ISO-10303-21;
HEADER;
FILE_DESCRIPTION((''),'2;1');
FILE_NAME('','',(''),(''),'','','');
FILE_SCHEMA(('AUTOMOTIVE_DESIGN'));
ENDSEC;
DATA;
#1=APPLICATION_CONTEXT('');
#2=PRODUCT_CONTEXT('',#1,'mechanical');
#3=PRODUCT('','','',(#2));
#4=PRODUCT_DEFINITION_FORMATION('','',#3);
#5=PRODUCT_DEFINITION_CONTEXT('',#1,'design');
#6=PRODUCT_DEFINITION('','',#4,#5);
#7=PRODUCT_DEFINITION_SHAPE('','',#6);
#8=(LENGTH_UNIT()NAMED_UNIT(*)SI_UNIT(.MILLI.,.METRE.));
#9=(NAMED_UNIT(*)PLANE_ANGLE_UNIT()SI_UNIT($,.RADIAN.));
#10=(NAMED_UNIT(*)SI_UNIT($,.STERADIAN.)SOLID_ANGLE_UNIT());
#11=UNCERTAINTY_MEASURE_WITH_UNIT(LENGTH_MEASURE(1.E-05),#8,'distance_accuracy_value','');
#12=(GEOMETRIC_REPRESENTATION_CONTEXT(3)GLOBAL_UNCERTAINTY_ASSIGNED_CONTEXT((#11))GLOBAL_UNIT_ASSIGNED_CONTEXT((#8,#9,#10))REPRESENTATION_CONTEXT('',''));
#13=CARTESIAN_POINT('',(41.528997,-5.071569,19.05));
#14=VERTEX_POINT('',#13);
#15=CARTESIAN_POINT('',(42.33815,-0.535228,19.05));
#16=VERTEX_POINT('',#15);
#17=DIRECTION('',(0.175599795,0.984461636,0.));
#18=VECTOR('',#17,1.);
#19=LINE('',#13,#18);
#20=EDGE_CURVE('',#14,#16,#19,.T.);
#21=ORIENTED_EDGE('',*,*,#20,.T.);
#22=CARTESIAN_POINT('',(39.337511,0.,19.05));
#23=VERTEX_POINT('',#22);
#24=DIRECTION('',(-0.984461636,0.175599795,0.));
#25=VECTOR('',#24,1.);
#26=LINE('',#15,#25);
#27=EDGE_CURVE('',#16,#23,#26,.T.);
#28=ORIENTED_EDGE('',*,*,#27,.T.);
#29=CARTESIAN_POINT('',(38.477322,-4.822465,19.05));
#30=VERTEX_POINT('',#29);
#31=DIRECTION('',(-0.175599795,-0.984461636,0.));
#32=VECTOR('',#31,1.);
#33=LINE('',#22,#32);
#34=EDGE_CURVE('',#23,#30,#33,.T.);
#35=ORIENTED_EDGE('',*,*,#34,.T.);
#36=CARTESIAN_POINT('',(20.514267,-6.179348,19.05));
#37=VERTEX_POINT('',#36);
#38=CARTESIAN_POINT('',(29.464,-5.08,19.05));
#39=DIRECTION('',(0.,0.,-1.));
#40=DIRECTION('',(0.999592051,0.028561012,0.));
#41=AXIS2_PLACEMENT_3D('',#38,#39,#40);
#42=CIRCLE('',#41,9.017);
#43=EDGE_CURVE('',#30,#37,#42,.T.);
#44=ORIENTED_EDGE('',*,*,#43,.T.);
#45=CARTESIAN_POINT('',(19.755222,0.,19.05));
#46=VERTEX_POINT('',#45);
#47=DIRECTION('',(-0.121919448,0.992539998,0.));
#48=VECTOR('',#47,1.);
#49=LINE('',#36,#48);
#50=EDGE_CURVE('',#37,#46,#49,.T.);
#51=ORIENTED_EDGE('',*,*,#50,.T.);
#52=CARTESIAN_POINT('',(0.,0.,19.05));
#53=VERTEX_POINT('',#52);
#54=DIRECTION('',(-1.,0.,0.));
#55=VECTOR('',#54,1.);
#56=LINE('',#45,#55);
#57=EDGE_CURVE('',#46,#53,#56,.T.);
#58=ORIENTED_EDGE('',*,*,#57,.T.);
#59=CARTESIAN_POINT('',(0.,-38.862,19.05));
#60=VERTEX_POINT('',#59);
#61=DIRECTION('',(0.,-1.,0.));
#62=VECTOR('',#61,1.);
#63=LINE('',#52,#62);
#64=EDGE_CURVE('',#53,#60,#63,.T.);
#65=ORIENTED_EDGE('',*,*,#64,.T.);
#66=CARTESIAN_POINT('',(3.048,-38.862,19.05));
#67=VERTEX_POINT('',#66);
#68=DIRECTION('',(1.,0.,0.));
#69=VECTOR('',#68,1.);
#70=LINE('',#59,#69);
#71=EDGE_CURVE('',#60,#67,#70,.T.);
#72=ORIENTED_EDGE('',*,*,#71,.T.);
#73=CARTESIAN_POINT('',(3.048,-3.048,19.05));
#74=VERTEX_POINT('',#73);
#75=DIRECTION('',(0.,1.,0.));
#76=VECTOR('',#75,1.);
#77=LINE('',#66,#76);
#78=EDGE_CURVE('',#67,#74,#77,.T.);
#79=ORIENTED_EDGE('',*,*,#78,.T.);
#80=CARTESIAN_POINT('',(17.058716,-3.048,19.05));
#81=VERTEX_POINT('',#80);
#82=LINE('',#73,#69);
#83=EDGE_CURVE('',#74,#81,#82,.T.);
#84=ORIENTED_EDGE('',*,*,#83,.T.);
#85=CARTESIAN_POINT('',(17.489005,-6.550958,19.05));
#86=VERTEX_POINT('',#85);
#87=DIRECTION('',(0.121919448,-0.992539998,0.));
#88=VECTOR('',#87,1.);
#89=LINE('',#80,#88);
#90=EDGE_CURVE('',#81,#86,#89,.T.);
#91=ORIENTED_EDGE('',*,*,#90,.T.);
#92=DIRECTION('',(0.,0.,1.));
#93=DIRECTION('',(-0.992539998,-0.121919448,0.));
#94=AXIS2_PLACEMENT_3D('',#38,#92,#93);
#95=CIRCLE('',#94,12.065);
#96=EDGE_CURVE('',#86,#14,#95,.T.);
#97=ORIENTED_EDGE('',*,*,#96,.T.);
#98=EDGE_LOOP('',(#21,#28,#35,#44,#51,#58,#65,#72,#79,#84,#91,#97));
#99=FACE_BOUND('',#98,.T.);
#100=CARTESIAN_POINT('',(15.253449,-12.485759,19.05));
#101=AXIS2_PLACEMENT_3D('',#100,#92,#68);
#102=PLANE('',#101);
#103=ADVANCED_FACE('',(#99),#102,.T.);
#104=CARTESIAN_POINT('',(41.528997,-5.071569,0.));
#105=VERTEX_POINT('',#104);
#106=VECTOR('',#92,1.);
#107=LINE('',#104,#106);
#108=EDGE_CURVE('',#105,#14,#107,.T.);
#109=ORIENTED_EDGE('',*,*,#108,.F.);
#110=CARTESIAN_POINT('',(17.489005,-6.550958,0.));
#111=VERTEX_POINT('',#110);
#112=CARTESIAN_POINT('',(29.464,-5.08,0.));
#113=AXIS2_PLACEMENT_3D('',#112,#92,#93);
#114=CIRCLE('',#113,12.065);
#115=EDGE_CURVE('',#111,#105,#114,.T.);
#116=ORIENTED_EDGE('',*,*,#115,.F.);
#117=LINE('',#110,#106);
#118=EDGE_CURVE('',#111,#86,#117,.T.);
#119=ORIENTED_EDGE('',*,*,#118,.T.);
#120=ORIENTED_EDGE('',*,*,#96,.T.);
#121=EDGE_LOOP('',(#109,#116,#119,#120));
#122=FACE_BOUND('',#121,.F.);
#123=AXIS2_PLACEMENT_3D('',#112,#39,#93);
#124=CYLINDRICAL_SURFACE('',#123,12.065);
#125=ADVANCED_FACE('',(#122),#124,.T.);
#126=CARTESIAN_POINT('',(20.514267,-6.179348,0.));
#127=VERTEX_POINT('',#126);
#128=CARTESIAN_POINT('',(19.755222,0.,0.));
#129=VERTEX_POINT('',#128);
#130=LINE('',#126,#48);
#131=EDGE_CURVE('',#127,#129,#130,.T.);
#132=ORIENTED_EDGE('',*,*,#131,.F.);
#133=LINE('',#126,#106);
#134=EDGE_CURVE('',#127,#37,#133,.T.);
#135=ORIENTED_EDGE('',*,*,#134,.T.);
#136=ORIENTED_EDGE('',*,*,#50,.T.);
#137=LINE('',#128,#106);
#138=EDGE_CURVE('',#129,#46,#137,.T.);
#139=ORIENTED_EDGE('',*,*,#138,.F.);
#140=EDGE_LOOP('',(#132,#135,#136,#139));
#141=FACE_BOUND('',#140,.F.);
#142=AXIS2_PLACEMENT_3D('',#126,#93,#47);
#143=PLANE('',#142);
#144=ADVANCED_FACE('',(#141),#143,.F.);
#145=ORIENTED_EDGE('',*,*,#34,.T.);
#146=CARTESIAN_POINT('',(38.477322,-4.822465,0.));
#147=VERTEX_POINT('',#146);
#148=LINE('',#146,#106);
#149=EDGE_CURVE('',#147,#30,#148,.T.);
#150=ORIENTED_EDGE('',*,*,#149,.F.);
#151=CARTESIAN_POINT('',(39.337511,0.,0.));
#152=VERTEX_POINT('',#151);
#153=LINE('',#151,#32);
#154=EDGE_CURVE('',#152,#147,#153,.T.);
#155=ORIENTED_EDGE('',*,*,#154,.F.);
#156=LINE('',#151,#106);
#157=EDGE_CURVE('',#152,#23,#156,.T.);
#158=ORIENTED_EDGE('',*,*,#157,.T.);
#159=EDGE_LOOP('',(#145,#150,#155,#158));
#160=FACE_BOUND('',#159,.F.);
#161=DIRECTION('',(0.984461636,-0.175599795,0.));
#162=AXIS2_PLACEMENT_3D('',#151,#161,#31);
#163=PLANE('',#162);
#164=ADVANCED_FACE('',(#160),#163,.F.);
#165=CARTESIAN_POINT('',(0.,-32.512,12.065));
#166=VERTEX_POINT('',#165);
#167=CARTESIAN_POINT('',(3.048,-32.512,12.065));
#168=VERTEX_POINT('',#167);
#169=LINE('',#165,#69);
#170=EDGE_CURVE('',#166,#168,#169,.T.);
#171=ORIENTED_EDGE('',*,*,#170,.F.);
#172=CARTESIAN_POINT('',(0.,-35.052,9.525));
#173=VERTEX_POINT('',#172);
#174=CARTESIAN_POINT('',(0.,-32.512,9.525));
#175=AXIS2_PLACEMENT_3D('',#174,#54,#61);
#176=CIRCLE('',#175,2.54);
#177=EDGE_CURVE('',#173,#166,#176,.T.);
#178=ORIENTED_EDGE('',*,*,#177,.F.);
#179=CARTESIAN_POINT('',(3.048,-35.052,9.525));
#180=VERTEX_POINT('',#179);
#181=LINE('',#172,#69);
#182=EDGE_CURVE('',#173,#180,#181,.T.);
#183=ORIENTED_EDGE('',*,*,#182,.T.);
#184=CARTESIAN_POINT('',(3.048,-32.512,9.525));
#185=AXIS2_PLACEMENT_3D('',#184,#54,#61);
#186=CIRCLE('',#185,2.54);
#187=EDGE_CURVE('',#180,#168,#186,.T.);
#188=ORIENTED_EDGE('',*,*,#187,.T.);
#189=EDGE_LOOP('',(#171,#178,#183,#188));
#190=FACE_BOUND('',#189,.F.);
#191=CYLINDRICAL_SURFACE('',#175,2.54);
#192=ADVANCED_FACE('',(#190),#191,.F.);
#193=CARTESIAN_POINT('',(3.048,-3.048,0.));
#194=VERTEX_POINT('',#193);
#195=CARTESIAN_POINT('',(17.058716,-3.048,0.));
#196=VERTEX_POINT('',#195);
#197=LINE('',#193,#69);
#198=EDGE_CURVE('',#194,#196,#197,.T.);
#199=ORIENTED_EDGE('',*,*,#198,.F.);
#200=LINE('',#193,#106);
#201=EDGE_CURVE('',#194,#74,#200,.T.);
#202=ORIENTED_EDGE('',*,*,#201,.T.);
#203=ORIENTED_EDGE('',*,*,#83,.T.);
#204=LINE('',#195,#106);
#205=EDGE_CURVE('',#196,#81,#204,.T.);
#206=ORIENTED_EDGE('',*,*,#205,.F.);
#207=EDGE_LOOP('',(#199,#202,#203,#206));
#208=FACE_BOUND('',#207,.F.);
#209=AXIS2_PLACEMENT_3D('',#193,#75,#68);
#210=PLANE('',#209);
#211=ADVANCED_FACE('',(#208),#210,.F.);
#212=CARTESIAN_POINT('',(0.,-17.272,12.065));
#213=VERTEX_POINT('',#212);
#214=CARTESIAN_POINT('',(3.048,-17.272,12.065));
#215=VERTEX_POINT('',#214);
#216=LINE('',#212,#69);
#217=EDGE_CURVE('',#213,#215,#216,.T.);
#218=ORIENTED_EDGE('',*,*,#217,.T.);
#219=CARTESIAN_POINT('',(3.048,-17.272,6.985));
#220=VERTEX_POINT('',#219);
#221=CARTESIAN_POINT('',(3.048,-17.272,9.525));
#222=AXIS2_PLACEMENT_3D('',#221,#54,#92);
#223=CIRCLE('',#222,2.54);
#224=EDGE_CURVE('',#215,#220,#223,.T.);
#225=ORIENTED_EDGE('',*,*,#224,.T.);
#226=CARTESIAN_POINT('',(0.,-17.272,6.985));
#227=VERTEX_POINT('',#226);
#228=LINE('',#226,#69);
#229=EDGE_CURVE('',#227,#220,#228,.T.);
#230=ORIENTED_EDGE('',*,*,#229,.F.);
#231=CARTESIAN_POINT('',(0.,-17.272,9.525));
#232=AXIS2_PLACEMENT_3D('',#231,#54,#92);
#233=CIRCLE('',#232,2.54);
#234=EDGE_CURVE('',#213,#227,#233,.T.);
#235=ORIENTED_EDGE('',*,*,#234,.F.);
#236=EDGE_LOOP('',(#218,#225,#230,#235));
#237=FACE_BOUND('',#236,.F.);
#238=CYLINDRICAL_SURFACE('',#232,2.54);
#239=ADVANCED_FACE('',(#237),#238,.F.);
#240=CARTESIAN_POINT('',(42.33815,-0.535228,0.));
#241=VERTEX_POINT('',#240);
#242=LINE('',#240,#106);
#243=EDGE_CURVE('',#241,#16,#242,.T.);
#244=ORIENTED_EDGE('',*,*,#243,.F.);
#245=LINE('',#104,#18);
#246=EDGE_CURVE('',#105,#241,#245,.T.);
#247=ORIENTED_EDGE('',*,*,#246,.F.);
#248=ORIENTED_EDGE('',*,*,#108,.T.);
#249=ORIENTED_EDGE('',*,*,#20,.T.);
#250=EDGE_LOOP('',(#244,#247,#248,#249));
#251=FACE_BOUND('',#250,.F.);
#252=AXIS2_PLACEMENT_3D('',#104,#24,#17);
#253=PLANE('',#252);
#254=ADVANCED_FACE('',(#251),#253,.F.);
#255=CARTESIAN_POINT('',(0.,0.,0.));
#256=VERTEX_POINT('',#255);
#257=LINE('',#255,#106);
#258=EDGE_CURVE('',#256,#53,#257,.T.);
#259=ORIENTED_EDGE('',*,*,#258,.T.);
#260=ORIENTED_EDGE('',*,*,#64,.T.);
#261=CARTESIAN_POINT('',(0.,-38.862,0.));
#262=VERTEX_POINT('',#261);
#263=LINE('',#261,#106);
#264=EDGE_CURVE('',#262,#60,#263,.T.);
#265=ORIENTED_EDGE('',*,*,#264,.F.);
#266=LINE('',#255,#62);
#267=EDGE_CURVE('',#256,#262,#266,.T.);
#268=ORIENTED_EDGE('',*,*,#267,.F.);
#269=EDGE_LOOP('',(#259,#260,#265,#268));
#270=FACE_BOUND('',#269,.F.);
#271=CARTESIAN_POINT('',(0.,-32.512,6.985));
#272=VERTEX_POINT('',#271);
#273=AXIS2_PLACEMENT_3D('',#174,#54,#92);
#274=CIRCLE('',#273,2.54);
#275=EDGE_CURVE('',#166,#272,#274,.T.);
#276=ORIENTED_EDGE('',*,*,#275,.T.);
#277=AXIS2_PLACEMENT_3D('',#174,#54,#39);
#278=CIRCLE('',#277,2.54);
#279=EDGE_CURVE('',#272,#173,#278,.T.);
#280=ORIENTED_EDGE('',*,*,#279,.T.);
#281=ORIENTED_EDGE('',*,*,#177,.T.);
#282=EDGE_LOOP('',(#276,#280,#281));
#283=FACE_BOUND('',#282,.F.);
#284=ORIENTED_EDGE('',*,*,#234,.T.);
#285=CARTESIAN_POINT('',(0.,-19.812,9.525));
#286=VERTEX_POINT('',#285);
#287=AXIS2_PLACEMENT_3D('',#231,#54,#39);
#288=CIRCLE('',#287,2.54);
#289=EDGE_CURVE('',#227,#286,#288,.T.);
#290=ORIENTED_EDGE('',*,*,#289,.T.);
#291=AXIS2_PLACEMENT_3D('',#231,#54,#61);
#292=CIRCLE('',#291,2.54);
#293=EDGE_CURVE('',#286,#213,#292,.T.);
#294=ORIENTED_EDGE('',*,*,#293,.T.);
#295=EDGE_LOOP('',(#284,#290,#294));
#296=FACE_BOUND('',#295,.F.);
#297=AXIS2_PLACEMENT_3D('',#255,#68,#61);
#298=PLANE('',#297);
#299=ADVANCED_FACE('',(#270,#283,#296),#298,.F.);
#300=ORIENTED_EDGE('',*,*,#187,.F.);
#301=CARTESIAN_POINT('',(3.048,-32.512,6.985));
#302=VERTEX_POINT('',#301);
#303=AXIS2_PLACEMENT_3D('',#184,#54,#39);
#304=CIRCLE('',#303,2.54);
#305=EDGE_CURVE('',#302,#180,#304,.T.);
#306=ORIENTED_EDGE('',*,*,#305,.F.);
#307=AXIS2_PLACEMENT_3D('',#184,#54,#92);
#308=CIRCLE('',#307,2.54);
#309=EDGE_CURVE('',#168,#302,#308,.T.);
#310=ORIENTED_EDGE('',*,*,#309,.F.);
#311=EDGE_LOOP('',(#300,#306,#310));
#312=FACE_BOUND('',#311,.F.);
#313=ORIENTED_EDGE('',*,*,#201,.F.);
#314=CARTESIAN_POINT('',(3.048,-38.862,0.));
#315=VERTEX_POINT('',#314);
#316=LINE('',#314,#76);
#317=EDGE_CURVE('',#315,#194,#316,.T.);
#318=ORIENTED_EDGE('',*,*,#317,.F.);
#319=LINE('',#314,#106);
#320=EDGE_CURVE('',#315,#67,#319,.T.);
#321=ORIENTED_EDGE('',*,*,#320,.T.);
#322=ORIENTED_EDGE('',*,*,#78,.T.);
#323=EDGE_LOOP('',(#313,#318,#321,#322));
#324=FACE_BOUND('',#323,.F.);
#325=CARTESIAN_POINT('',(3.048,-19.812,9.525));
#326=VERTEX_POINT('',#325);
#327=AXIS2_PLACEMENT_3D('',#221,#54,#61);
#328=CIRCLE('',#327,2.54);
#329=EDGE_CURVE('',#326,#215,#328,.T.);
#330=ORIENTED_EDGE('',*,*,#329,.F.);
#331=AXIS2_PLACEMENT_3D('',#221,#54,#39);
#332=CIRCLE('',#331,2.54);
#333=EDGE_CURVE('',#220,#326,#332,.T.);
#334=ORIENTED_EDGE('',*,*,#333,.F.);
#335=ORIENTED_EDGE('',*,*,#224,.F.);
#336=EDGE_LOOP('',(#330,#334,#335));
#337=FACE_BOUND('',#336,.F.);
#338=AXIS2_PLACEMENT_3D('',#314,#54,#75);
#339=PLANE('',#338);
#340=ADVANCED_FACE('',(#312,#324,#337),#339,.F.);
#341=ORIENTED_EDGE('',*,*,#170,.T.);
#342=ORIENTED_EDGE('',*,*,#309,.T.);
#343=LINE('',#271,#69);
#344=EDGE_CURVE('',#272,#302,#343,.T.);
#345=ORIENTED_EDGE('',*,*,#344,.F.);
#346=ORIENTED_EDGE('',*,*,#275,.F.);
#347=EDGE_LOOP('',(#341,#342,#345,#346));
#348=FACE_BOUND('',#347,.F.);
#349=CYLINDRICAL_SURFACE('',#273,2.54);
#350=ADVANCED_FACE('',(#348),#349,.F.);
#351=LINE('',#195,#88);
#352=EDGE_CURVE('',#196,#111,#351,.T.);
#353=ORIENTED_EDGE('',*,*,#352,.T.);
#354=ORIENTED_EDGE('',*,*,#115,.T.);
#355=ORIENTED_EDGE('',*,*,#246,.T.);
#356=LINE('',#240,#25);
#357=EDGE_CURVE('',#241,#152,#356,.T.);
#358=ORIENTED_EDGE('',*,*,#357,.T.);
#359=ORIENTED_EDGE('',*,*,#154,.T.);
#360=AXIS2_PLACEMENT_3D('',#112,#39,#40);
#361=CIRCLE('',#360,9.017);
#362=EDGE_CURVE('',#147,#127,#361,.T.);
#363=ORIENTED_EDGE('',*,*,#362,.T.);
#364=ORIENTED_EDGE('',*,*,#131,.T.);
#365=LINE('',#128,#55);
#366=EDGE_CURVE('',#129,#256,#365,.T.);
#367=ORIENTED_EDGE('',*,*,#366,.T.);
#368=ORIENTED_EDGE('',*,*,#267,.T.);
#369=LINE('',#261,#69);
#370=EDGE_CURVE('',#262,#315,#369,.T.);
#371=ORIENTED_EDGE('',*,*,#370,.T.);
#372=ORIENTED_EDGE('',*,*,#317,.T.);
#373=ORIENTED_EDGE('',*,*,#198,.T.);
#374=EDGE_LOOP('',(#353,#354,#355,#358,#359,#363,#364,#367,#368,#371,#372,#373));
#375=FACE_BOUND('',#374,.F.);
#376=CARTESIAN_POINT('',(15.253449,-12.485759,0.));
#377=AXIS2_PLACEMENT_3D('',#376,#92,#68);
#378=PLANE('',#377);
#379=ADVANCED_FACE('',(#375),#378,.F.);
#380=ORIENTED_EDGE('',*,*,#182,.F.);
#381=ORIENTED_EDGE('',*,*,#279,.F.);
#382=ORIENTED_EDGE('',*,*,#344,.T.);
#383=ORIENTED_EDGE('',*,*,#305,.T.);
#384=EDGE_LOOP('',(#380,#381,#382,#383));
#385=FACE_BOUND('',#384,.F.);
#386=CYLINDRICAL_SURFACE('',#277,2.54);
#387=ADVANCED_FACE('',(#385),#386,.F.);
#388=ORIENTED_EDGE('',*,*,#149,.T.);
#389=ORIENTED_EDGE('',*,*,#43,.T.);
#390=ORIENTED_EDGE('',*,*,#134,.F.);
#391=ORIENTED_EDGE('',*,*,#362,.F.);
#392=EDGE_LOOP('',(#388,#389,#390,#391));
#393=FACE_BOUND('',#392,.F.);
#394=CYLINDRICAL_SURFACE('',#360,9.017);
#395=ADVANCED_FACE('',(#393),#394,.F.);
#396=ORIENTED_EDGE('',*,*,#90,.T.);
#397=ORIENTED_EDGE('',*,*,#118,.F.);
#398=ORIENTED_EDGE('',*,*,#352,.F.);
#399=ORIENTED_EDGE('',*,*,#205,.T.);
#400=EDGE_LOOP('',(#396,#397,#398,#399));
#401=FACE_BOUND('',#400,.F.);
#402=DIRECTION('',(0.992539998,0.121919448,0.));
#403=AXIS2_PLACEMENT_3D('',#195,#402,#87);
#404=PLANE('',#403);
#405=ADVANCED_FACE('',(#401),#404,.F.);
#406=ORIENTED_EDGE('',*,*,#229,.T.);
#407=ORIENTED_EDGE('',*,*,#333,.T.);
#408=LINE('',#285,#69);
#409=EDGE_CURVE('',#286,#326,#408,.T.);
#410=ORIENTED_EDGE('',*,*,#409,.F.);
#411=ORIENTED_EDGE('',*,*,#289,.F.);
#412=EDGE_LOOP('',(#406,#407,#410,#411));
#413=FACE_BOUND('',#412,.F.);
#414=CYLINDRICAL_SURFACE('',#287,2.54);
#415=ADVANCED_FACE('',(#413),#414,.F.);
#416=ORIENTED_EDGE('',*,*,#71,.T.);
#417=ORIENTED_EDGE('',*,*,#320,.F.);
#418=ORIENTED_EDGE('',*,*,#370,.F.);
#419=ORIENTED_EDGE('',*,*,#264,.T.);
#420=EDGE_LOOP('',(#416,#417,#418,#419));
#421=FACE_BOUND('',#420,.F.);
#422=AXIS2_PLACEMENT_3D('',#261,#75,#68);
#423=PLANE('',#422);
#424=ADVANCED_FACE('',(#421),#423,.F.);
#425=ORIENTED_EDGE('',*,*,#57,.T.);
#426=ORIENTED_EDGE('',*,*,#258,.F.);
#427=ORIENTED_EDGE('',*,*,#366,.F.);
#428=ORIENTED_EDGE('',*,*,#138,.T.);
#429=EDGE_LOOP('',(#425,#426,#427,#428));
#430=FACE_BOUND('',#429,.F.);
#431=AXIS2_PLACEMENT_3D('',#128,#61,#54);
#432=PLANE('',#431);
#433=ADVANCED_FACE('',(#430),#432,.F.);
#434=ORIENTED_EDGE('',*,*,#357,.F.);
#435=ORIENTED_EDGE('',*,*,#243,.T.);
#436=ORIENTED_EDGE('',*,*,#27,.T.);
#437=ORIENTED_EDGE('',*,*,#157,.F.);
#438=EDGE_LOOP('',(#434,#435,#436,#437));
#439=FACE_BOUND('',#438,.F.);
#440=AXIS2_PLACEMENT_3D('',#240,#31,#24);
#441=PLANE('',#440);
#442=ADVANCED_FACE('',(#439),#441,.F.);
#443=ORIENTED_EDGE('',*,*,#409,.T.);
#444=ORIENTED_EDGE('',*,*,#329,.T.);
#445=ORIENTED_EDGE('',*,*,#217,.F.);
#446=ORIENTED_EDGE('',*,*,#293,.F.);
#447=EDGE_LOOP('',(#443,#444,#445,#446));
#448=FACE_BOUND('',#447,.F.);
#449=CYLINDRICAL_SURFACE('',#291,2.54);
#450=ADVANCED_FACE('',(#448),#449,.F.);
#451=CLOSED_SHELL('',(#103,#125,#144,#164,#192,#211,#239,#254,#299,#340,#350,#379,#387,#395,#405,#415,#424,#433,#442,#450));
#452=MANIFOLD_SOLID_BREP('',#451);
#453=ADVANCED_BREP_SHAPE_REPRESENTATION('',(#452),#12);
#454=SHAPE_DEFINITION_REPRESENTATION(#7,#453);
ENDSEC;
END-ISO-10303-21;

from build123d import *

# Parameters (mm, degrees)
F1_DEPTH      = 19.05
F3_DEPTH      = 5.1562
F3_DEPTH_BACK = 7.5946


with BuildPart() as f1:
    # F0 (on Top) → F1 (new body)
    with BuildSketch(Plane.XY):
        with BuildLine():
            Line((19.7552217001, 0), (0, 0))
            Line((0, 0), (0, -38.862))
            Line((0, -38.862), (3.048, -38.862))
            Line((3.048, -38.862), (3.048, -3.048))
            Line((3.048, -3.048), (17.0587162428, -3.048))
            Line((17.0587162428, -3.048), (17.489004921, -6.5509581427))
            ThreePointArc((17.489004921, -6.5509581427), (30.2050622684, -17.122219551), (41.5289970541, -5.0715688135))
            Line((41.5289970541, -5.0715688135), (42.3381504625, -0.5352281765))
            Line((42.3381504625, -0.5352281765), (39.3375113974, 0))
            Line((39.3375113974, 0), (38.4773215245, -4.8224653511))
            ThreePointArc((38.4773215245, -4.8224653511), (30.1431857427, -14.0713845278), (20.5142668357, -6.1793476645))
            Line((20.5142668357, -6.1793476645), (19.7552217001, 0))
        make_face()
    extrude(amount=F1_DEPTH)

    # F2 (on face) → F3 (cut, two sides)
    with BuildSketch(Plane(origin=(0, 0, 0), x_dir=(0, -1, 0), z_dir=(-1, 0, 0))) as f3_sk:
        with BuildLine():
            ThreePointArc((19.812, 9.525), (19.0680512242, 11.3210512242), (17.272, 12.065))
            Line((17.272, 12.065), (17.272, 6.985))
            ThreePointArc((17.272, 6.985), (19.0680512242, 7.7289487758), (19.812, 9.525))
        make_face()
        with BuildLine():
            Line((17.272, 6.985), (17.272, 12.065))
            ThreePointArc((17.272, 12.065), (14.732, 9.525), (17.272, 6.985))
        make_face()
        with BuildLine():
            Line((32.512, 6.985), (32.512, 12.065))
            ThreePointArc((32.512, 12.065), (29.972, 9.525), (32.512, 6.985))
        make_face()
        with BuildLine():
            ThreePointArc((35.052, 9.525), (34.3080512242, 11.3210512242), (32.512, 12.065))
            Line((32.512, 12.065), (32.512, 6.985))
            ThreePointArc((32.512, 6.985), (34.3080512242, 7.7289487758), (35.052, 9.525))
        make_face()
    extrude(amount=-F3_DEPTH, mode=Mode.SUBTRACT)
    extrude(f3_sk.sketch, amount=F3_DEPTH_BACK, mode=Mode.SUBTRACT)


solid = f1.part
